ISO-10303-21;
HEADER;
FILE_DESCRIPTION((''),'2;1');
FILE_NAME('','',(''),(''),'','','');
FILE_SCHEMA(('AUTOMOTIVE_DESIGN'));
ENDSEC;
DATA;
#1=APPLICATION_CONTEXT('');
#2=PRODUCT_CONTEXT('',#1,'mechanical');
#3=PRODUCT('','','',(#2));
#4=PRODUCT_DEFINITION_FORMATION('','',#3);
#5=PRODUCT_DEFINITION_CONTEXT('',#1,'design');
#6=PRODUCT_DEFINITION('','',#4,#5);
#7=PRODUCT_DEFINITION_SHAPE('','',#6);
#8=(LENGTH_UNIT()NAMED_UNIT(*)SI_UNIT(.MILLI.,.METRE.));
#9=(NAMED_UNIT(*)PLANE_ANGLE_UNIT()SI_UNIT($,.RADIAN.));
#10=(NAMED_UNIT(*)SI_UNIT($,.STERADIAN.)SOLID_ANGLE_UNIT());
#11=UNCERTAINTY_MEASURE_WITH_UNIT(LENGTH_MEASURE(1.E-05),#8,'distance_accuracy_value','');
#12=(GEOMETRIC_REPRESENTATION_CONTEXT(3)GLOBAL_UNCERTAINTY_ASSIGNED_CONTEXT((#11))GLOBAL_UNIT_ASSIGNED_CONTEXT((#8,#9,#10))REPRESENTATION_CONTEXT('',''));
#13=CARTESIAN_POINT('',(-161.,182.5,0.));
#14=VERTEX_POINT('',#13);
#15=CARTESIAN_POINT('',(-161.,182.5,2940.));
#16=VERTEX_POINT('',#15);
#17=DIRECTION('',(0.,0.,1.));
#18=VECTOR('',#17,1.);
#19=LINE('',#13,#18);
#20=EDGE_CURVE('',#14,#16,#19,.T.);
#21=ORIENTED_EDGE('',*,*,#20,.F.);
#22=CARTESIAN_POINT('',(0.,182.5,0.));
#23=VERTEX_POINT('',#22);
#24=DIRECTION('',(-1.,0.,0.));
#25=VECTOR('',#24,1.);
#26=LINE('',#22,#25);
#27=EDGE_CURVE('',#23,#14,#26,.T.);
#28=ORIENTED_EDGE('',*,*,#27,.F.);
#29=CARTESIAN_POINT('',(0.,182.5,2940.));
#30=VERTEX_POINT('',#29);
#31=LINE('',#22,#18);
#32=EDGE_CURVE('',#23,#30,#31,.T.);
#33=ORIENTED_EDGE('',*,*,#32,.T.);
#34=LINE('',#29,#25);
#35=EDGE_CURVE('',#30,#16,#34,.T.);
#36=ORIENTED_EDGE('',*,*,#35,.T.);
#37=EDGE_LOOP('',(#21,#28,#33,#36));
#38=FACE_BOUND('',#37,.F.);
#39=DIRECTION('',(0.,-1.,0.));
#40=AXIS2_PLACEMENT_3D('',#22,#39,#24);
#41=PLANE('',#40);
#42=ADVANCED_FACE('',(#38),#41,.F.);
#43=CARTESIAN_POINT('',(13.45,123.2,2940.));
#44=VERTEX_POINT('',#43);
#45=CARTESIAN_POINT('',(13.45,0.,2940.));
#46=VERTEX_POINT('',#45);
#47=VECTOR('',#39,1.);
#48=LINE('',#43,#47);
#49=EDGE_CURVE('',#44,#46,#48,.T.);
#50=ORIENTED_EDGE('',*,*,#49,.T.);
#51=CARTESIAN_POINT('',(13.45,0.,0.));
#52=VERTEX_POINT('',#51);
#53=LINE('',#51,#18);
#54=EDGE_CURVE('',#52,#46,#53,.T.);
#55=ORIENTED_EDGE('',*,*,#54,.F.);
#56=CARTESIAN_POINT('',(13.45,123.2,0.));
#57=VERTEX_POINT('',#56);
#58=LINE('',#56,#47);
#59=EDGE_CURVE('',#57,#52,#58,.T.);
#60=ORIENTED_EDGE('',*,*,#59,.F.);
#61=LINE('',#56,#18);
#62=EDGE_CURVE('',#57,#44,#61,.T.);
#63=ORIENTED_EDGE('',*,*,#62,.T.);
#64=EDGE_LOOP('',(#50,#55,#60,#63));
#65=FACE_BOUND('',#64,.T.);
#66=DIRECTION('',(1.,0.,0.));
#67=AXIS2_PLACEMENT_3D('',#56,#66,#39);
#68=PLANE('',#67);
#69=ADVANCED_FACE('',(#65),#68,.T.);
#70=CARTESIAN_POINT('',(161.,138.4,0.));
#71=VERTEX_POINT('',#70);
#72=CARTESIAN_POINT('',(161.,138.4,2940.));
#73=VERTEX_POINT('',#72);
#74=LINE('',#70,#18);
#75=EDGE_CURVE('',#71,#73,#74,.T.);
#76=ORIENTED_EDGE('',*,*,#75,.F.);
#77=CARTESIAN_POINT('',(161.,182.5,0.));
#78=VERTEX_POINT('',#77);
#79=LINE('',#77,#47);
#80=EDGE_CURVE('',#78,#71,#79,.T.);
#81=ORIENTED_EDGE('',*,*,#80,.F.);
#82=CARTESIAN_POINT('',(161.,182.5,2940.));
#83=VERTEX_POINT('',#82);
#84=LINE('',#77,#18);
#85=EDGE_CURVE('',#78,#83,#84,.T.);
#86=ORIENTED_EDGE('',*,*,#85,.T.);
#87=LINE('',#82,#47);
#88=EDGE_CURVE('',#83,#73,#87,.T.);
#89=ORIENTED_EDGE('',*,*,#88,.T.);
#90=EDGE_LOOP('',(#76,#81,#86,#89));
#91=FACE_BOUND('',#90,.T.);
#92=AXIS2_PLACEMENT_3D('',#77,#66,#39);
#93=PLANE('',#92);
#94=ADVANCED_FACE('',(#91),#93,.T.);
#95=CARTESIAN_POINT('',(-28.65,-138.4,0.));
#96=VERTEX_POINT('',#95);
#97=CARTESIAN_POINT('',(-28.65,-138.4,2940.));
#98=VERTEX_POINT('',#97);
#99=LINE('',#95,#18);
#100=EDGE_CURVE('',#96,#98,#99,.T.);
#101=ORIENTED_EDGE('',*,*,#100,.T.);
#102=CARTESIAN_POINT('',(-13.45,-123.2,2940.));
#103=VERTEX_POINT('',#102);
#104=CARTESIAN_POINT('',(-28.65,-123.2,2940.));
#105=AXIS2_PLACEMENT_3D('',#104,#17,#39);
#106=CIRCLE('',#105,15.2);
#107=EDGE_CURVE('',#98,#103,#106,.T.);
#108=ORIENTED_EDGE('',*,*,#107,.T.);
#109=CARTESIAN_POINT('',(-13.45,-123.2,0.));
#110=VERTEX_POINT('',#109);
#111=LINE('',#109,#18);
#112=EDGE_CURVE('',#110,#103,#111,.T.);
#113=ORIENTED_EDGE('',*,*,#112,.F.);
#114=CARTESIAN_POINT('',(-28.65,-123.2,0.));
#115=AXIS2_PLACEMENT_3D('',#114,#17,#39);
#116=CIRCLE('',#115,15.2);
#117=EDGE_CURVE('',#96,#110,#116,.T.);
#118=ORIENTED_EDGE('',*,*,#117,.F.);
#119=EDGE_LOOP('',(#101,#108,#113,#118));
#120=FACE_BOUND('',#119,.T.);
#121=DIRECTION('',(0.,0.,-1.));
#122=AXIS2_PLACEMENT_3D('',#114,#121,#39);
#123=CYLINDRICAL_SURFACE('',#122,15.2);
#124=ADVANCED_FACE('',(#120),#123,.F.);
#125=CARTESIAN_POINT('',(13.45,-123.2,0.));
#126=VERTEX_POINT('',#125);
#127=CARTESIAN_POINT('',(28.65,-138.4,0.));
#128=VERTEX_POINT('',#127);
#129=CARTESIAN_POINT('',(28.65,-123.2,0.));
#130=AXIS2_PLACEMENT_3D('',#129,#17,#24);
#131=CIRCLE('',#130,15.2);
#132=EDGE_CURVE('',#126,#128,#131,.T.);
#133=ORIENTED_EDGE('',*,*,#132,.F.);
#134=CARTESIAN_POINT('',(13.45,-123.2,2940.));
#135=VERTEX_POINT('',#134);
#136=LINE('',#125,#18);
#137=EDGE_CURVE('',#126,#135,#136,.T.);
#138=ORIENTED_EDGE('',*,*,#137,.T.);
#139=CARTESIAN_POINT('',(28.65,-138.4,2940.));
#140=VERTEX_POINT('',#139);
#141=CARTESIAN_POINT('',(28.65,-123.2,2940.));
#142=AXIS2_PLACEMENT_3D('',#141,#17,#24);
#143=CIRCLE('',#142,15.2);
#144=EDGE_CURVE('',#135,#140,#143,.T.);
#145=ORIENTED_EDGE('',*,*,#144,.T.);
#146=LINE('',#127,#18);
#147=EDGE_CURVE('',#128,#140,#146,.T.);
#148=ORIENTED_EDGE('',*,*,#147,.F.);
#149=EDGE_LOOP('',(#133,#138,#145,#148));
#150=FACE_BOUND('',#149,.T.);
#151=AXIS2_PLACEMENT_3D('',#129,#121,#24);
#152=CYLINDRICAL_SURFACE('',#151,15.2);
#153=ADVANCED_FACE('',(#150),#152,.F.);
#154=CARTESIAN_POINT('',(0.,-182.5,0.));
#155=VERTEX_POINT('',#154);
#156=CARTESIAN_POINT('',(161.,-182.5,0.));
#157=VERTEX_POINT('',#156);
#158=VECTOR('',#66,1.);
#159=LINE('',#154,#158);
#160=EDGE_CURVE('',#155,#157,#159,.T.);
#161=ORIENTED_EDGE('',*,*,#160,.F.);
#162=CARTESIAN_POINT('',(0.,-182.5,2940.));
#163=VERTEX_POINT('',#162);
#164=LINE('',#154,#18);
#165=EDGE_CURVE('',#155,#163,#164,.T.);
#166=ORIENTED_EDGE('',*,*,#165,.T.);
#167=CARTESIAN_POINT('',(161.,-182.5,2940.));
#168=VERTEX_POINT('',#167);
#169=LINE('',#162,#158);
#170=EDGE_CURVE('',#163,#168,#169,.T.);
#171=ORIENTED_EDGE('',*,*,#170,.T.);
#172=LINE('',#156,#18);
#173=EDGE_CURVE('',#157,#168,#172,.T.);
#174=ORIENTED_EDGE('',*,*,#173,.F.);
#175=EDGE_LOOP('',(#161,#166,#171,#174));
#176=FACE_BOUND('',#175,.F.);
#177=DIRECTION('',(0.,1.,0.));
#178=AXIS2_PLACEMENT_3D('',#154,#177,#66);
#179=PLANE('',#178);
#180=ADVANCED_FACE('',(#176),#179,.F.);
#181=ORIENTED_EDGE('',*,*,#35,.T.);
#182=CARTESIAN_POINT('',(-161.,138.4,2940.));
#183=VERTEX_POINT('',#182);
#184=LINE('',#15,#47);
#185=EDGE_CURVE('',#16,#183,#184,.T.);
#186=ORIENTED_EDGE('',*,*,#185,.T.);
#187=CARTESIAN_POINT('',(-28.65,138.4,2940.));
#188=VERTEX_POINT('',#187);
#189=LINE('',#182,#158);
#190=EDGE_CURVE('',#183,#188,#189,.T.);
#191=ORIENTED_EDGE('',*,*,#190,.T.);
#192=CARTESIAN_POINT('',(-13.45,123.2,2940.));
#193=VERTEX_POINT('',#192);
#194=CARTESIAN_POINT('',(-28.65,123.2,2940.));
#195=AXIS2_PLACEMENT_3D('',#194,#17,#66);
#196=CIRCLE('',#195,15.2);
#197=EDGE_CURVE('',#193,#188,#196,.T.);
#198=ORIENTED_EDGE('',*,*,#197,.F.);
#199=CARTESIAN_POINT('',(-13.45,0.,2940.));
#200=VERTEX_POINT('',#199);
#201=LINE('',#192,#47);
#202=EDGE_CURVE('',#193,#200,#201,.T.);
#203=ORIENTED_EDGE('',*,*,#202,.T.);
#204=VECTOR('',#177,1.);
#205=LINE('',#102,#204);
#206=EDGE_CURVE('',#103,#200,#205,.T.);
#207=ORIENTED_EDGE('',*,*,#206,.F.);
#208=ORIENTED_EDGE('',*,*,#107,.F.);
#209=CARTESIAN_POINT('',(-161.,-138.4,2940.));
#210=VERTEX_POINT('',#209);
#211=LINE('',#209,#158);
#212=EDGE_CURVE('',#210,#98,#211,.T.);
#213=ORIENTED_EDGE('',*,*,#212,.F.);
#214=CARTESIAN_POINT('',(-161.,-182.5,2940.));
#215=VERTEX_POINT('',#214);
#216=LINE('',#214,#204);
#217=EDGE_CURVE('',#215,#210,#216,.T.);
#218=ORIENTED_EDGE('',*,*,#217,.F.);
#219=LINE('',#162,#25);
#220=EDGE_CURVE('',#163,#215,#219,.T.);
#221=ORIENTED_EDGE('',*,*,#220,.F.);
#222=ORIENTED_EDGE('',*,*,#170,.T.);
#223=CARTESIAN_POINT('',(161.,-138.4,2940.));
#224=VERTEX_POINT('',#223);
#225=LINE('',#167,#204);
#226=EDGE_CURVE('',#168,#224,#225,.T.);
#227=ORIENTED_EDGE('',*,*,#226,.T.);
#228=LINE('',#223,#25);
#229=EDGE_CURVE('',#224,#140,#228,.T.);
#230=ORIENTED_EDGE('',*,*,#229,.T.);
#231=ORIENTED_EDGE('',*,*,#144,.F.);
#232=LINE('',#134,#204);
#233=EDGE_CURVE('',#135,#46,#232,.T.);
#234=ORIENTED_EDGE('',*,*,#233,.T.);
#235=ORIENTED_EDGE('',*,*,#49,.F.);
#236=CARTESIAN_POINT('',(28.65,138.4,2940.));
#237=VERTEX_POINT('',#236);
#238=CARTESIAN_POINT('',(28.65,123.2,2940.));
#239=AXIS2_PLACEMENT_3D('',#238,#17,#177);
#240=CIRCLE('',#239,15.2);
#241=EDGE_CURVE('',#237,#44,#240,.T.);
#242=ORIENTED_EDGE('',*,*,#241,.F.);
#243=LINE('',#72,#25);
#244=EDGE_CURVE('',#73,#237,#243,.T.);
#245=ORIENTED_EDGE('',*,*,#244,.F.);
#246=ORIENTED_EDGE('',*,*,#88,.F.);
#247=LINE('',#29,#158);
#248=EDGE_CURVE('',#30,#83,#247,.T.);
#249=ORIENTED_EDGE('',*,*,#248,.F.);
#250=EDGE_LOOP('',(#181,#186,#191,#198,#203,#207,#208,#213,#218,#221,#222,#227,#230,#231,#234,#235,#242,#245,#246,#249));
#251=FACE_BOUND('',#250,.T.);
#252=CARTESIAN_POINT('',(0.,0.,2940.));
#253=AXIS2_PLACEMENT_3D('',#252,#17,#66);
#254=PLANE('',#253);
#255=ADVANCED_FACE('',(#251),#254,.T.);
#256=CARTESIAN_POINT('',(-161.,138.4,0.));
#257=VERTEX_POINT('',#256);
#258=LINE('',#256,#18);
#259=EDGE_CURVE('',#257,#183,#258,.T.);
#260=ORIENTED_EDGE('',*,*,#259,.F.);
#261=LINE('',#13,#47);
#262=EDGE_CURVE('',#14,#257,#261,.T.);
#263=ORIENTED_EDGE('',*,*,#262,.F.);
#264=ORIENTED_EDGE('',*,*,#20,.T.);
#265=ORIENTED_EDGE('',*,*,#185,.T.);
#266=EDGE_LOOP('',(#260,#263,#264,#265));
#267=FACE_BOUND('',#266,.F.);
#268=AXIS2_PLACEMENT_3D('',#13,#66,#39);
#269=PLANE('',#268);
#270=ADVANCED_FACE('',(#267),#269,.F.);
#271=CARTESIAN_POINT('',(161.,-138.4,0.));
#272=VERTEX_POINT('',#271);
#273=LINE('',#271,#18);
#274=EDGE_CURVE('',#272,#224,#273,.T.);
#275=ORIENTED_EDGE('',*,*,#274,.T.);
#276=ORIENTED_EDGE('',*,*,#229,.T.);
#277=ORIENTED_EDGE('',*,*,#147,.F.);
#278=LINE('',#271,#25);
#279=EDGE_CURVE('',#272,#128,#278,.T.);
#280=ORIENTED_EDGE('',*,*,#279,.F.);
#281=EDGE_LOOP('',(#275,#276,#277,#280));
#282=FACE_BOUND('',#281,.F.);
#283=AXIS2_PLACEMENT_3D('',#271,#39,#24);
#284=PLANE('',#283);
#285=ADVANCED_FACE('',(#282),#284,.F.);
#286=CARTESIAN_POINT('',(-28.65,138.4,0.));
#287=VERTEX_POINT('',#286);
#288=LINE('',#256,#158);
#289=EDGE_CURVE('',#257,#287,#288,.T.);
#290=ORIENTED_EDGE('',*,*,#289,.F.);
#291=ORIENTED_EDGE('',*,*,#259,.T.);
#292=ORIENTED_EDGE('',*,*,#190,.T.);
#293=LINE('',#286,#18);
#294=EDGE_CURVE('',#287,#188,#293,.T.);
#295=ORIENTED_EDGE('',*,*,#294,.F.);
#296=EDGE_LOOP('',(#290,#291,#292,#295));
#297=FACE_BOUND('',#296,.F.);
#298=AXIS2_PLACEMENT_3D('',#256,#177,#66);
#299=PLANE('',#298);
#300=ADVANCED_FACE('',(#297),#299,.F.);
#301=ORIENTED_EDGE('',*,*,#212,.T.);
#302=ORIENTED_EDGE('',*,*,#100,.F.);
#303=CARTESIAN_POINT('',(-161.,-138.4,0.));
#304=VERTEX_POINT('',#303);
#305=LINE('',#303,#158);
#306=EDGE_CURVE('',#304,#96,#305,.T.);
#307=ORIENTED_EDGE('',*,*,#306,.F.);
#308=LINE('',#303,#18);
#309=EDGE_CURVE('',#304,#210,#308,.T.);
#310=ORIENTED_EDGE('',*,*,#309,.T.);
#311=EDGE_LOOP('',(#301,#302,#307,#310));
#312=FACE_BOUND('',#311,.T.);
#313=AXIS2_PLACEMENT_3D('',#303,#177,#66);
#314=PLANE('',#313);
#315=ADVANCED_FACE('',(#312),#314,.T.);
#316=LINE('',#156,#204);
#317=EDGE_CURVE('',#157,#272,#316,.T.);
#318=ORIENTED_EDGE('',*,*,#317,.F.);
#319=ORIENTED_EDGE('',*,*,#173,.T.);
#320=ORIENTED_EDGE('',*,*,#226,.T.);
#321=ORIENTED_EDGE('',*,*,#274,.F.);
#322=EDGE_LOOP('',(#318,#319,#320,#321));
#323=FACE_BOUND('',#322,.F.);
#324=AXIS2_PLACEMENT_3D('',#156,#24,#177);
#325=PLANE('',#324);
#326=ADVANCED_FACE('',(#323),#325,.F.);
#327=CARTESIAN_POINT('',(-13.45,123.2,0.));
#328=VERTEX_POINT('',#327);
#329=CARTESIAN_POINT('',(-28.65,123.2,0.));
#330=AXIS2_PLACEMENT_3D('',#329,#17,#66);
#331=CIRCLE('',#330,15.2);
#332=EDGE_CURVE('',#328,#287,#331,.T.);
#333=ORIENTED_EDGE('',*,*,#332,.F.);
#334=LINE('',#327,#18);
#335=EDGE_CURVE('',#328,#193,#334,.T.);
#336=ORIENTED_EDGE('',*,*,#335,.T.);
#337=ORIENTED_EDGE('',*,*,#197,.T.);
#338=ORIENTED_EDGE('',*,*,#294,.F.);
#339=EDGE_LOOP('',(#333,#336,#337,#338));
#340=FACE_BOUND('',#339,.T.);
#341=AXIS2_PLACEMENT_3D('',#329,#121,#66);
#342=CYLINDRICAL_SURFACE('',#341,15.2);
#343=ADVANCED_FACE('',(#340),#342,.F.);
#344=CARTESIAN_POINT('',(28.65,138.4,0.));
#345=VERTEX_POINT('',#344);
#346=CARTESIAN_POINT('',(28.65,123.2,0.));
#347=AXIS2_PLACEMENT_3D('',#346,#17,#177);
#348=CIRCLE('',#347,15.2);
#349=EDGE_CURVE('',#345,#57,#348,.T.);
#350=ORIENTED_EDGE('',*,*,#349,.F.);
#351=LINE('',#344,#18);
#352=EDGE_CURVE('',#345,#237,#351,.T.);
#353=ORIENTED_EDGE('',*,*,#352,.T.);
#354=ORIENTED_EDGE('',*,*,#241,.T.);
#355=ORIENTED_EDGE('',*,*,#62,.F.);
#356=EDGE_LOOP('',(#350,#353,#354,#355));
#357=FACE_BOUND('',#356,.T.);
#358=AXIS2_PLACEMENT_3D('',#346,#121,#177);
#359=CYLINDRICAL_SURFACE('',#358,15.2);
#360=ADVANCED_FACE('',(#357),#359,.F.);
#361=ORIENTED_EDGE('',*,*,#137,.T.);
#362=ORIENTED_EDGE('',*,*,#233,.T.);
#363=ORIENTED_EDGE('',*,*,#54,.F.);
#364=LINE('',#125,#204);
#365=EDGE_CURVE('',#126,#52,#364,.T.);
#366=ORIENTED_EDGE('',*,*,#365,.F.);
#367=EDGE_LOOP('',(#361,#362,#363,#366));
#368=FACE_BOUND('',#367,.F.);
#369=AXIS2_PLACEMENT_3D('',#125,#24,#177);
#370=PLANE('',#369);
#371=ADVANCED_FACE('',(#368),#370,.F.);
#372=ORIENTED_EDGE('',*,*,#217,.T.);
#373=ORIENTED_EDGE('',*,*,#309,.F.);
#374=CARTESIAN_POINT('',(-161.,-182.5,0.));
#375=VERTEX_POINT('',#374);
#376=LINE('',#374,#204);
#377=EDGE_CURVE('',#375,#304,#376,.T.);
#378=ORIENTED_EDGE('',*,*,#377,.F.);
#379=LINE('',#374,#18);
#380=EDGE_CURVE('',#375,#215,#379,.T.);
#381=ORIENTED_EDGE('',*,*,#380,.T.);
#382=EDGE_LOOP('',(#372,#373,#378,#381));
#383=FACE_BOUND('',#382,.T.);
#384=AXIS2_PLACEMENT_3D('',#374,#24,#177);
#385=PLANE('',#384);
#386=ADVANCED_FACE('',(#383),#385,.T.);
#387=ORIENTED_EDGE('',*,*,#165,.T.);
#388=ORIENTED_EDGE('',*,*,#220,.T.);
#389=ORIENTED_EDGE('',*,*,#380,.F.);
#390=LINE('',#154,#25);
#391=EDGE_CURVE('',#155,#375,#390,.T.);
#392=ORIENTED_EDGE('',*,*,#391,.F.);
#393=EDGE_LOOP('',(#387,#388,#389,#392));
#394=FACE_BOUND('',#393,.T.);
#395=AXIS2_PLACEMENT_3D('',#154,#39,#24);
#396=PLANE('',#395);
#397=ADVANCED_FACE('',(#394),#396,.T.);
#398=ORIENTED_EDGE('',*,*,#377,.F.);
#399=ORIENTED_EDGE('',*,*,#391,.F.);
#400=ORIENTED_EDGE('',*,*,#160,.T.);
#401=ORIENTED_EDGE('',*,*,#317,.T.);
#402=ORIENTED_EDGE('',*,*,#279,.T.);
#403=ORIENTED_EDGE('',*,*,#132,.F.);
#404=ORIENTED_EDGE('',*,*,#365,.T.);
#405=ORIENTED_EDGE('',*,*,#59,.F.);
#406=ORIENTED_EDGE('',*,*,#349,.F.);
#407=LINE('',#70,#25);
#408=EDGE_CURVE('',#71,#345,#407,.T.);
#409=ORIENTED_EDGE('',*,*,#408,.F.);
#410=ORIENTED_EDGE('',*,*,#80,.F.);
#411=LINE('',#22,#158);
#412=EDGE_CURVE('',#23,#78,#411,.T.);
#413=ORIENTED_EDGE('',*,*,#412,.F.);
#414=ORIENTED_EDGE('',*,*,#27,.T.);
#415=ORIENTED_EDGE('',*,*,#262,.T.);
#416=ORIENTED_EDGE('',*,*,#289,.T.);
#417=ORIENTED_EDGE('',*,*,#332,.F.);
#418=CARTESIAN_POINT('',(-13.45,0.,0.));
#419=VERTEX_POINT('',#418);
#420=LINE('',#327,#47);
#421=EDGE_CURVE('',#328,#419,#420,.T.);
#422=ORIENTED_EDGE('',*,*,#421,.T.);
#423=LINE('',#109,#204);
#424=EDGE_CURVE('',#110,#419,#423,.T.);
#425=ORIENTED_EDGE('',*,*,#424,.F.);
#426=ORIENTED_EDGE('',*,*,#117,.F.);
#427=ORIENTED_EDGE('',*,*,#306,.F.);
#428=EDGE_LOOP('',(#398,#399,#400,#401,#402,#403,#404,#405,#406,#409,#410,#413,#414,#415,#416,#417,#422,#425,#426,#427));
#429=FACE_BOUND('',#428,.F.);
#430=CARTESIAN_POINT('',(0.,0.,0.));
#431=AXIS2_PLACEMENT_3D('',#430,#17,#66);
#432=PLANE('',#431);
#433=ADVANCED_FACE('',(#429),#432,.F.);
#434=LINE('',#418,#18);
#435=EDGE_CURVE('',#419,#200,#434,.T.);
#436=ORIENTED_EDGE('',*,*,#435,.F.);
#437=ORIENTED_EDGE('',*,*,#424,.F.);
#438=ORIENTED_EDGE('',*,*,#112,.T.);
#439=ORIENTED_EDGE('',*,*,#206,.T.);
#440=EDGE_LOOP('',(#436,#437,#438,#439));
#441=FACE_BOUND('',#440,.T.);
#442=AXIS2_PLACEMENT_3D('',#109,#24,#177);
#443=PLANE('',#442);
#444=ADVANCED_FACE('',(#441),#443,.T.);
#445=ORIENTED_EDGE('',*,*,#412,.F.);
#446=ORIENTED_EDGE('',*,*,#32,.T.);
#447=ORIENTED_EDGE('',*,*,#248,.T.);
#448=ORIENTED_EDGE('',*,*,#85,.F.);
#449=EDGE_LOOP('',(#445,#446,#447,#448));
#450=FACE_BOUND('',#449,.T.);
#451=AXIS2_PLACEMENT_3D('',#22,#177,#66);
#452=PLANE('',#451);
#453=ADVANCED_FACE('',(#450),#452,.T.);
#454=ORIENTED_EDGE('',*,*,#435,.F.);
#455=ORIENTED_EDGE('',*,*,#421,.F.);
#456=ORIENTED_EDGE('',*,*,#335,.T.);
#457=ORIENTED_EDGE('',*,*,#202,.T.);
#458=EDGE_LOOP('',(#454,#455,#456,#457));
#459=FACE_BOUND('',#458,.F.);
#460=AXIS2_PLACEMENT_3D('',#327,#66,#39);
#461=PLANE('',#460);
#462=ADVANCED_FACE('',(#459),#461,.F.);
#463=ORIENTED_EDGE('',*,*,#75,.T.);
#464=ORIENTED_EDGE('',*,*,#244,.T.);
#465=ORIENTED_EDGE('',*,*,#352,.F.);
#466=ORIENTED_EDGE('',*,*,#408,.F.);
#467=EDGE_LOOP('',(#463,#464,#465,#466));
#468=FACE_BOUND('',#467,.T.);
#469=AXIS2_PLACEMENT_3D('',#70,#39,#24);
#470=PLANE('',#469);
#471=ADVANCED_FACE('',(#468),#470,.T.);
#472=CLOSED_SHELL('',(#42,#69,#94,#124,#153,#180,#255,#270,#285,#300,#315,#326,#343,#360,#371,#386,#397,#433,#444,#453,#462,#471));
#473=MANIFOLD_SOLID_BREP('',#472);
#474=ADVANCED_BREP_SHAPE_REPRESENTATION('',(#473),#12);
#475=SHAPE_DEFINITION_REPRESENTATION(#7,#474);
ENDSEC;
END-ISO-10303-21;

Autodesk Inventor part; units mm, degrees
ref_plane "YZ Plane" through (0, 0, 0) normal (1, 0, 0) x (0, 1, 0)
ref_plane "Start plane" through (0, 0, 0) normal (0, 0, 1) x (1, 0, 0)
ref_plane "End plane" through (0, 0, 2940) normal (0, 0, 1) x (1, 0, 0)
sketch "Sketch" plane through (0, 0, 0) normal (0, 0, 1) x (1, 0, 0)
  line L0 (-161, -182.5) -> (-161, -138.4)
  line L1 (-161, -138.4) -> (-28.65, -138.4)
  line L2 (-13.45, -123.2) -> (-13.45, 0)
  line L3 (-13.45, 0) -> (0, 0) construction
  line L4 (0, 0) -> (0, -182.5) construction
  line L5 (0, -182.5) -> (-161, -182.5)
  line L6 (-60, 0) -> (80, 0) construction
  line L7 (0, -60) -> (0, 80) construction
  line L8 (161, -182.5) -> (161, -138.4)
  line L9 (161, -138.4) -> (28.65, -138.4)
  line L10 (13.45, -123.2) -> (13.45, 0)
  line L11 (13.45, 0) -> (0, 0) construction
  line L12 (0, -182.5) -> (161, -182.5)
  line L13 (-161, 182.5) -> (-161, 138.4)
  line L14 (-161, 138.4) -> (-28.65, 138.4)
  line L15 (-13.45, 123.2) -> (-13.45, 0)
  line L16 (0, 182.5) -> (-161, 182.5)
  line L17 (161, 182.5) -> (161, 138.4)
  line L18 (161, 138.4) -> (28.65, 138.4)
  line L19 (0, 182.5) -> (161, 182.5)
  line L20 (13.45, 123.2) -> (13.45, 0)
  arc A0 (-13.45, 123.2) -> (-28.65, 138.4) centre (-28.65, 123.2) ccw
  arc A1 (28.65, 138.4) -> (13.45, 123.2) centre (28.65, 123.2) ccw
  arc A2 (13.45, -123.2) -> (28.65, -138.4) centre (28.65, -123.2) ccw
  arc A3 (-28.65, -138.4) -> (-13.45, -123.2) centre (-28.65, -123.2) ccw
  line L21 (0, 108) -> (0, -88) construction
  line L22 (-88, 0) -> (108, 0) construction
  point P0 (-13.45, -138.4)
  point P1 (13.45, -138.4)
  point P2 (-13.45, 138.4)
  point P3 (13.45, 138.4)
  dimension "d1" = 182.5
  dimension "d2" = 44.1
  dimension "d3" = 161
  dimension "d4" = 13.45
  dimension "d10" = 15.2
extrude "Body" add sketch "Sketch" along normal up to surface (2940 mm away) from surface at 0
sketch "Sketch4" plane through (0, 0, 0) normal (0, 0, 1) x (1, 0, 0)
  line L0 (0, 0) -> (10, 0)
ref_plane "Work Plane3" through (0, 0, 0) normal (0, -1, 0) x (1, 0, 0)
sketch "Sketch5" plane through (0, 0, 0) normal (0, -1, 0) x (1, 0, 0)
  line L0 (-2, 0) -> (12, 0) projected
  line L1 (-2, 2940) -> (12, 2940) projected
  dimension "d14" = 2940
equation "\"d1\" = 0.5 * G_H"
equation "\"d2\" = G_T1"
equation "\"d3\" = 0.5 * G_W"
equation "\"d4\" = 0.5 * G_T"
equation "\"d10\" = G_IR"
equation "\"d5\" = G_L"
equation "\"G_W\" = 322"
equation "\"G_H\" = 365"
equation "\"G_T\" = 26.9"
equation "\"G_T1\" = 44.1"
equation "\"G_IR\" = 15.2"
equation "\"G_L\" = d14"
equation "\"G_OFFSET_START\" = 0"
equation "\"G_OFFSET_END\" = 0"
properties part number "AS 3679 - 310 UC - 283 - 2940" material "Steel, Mild"
